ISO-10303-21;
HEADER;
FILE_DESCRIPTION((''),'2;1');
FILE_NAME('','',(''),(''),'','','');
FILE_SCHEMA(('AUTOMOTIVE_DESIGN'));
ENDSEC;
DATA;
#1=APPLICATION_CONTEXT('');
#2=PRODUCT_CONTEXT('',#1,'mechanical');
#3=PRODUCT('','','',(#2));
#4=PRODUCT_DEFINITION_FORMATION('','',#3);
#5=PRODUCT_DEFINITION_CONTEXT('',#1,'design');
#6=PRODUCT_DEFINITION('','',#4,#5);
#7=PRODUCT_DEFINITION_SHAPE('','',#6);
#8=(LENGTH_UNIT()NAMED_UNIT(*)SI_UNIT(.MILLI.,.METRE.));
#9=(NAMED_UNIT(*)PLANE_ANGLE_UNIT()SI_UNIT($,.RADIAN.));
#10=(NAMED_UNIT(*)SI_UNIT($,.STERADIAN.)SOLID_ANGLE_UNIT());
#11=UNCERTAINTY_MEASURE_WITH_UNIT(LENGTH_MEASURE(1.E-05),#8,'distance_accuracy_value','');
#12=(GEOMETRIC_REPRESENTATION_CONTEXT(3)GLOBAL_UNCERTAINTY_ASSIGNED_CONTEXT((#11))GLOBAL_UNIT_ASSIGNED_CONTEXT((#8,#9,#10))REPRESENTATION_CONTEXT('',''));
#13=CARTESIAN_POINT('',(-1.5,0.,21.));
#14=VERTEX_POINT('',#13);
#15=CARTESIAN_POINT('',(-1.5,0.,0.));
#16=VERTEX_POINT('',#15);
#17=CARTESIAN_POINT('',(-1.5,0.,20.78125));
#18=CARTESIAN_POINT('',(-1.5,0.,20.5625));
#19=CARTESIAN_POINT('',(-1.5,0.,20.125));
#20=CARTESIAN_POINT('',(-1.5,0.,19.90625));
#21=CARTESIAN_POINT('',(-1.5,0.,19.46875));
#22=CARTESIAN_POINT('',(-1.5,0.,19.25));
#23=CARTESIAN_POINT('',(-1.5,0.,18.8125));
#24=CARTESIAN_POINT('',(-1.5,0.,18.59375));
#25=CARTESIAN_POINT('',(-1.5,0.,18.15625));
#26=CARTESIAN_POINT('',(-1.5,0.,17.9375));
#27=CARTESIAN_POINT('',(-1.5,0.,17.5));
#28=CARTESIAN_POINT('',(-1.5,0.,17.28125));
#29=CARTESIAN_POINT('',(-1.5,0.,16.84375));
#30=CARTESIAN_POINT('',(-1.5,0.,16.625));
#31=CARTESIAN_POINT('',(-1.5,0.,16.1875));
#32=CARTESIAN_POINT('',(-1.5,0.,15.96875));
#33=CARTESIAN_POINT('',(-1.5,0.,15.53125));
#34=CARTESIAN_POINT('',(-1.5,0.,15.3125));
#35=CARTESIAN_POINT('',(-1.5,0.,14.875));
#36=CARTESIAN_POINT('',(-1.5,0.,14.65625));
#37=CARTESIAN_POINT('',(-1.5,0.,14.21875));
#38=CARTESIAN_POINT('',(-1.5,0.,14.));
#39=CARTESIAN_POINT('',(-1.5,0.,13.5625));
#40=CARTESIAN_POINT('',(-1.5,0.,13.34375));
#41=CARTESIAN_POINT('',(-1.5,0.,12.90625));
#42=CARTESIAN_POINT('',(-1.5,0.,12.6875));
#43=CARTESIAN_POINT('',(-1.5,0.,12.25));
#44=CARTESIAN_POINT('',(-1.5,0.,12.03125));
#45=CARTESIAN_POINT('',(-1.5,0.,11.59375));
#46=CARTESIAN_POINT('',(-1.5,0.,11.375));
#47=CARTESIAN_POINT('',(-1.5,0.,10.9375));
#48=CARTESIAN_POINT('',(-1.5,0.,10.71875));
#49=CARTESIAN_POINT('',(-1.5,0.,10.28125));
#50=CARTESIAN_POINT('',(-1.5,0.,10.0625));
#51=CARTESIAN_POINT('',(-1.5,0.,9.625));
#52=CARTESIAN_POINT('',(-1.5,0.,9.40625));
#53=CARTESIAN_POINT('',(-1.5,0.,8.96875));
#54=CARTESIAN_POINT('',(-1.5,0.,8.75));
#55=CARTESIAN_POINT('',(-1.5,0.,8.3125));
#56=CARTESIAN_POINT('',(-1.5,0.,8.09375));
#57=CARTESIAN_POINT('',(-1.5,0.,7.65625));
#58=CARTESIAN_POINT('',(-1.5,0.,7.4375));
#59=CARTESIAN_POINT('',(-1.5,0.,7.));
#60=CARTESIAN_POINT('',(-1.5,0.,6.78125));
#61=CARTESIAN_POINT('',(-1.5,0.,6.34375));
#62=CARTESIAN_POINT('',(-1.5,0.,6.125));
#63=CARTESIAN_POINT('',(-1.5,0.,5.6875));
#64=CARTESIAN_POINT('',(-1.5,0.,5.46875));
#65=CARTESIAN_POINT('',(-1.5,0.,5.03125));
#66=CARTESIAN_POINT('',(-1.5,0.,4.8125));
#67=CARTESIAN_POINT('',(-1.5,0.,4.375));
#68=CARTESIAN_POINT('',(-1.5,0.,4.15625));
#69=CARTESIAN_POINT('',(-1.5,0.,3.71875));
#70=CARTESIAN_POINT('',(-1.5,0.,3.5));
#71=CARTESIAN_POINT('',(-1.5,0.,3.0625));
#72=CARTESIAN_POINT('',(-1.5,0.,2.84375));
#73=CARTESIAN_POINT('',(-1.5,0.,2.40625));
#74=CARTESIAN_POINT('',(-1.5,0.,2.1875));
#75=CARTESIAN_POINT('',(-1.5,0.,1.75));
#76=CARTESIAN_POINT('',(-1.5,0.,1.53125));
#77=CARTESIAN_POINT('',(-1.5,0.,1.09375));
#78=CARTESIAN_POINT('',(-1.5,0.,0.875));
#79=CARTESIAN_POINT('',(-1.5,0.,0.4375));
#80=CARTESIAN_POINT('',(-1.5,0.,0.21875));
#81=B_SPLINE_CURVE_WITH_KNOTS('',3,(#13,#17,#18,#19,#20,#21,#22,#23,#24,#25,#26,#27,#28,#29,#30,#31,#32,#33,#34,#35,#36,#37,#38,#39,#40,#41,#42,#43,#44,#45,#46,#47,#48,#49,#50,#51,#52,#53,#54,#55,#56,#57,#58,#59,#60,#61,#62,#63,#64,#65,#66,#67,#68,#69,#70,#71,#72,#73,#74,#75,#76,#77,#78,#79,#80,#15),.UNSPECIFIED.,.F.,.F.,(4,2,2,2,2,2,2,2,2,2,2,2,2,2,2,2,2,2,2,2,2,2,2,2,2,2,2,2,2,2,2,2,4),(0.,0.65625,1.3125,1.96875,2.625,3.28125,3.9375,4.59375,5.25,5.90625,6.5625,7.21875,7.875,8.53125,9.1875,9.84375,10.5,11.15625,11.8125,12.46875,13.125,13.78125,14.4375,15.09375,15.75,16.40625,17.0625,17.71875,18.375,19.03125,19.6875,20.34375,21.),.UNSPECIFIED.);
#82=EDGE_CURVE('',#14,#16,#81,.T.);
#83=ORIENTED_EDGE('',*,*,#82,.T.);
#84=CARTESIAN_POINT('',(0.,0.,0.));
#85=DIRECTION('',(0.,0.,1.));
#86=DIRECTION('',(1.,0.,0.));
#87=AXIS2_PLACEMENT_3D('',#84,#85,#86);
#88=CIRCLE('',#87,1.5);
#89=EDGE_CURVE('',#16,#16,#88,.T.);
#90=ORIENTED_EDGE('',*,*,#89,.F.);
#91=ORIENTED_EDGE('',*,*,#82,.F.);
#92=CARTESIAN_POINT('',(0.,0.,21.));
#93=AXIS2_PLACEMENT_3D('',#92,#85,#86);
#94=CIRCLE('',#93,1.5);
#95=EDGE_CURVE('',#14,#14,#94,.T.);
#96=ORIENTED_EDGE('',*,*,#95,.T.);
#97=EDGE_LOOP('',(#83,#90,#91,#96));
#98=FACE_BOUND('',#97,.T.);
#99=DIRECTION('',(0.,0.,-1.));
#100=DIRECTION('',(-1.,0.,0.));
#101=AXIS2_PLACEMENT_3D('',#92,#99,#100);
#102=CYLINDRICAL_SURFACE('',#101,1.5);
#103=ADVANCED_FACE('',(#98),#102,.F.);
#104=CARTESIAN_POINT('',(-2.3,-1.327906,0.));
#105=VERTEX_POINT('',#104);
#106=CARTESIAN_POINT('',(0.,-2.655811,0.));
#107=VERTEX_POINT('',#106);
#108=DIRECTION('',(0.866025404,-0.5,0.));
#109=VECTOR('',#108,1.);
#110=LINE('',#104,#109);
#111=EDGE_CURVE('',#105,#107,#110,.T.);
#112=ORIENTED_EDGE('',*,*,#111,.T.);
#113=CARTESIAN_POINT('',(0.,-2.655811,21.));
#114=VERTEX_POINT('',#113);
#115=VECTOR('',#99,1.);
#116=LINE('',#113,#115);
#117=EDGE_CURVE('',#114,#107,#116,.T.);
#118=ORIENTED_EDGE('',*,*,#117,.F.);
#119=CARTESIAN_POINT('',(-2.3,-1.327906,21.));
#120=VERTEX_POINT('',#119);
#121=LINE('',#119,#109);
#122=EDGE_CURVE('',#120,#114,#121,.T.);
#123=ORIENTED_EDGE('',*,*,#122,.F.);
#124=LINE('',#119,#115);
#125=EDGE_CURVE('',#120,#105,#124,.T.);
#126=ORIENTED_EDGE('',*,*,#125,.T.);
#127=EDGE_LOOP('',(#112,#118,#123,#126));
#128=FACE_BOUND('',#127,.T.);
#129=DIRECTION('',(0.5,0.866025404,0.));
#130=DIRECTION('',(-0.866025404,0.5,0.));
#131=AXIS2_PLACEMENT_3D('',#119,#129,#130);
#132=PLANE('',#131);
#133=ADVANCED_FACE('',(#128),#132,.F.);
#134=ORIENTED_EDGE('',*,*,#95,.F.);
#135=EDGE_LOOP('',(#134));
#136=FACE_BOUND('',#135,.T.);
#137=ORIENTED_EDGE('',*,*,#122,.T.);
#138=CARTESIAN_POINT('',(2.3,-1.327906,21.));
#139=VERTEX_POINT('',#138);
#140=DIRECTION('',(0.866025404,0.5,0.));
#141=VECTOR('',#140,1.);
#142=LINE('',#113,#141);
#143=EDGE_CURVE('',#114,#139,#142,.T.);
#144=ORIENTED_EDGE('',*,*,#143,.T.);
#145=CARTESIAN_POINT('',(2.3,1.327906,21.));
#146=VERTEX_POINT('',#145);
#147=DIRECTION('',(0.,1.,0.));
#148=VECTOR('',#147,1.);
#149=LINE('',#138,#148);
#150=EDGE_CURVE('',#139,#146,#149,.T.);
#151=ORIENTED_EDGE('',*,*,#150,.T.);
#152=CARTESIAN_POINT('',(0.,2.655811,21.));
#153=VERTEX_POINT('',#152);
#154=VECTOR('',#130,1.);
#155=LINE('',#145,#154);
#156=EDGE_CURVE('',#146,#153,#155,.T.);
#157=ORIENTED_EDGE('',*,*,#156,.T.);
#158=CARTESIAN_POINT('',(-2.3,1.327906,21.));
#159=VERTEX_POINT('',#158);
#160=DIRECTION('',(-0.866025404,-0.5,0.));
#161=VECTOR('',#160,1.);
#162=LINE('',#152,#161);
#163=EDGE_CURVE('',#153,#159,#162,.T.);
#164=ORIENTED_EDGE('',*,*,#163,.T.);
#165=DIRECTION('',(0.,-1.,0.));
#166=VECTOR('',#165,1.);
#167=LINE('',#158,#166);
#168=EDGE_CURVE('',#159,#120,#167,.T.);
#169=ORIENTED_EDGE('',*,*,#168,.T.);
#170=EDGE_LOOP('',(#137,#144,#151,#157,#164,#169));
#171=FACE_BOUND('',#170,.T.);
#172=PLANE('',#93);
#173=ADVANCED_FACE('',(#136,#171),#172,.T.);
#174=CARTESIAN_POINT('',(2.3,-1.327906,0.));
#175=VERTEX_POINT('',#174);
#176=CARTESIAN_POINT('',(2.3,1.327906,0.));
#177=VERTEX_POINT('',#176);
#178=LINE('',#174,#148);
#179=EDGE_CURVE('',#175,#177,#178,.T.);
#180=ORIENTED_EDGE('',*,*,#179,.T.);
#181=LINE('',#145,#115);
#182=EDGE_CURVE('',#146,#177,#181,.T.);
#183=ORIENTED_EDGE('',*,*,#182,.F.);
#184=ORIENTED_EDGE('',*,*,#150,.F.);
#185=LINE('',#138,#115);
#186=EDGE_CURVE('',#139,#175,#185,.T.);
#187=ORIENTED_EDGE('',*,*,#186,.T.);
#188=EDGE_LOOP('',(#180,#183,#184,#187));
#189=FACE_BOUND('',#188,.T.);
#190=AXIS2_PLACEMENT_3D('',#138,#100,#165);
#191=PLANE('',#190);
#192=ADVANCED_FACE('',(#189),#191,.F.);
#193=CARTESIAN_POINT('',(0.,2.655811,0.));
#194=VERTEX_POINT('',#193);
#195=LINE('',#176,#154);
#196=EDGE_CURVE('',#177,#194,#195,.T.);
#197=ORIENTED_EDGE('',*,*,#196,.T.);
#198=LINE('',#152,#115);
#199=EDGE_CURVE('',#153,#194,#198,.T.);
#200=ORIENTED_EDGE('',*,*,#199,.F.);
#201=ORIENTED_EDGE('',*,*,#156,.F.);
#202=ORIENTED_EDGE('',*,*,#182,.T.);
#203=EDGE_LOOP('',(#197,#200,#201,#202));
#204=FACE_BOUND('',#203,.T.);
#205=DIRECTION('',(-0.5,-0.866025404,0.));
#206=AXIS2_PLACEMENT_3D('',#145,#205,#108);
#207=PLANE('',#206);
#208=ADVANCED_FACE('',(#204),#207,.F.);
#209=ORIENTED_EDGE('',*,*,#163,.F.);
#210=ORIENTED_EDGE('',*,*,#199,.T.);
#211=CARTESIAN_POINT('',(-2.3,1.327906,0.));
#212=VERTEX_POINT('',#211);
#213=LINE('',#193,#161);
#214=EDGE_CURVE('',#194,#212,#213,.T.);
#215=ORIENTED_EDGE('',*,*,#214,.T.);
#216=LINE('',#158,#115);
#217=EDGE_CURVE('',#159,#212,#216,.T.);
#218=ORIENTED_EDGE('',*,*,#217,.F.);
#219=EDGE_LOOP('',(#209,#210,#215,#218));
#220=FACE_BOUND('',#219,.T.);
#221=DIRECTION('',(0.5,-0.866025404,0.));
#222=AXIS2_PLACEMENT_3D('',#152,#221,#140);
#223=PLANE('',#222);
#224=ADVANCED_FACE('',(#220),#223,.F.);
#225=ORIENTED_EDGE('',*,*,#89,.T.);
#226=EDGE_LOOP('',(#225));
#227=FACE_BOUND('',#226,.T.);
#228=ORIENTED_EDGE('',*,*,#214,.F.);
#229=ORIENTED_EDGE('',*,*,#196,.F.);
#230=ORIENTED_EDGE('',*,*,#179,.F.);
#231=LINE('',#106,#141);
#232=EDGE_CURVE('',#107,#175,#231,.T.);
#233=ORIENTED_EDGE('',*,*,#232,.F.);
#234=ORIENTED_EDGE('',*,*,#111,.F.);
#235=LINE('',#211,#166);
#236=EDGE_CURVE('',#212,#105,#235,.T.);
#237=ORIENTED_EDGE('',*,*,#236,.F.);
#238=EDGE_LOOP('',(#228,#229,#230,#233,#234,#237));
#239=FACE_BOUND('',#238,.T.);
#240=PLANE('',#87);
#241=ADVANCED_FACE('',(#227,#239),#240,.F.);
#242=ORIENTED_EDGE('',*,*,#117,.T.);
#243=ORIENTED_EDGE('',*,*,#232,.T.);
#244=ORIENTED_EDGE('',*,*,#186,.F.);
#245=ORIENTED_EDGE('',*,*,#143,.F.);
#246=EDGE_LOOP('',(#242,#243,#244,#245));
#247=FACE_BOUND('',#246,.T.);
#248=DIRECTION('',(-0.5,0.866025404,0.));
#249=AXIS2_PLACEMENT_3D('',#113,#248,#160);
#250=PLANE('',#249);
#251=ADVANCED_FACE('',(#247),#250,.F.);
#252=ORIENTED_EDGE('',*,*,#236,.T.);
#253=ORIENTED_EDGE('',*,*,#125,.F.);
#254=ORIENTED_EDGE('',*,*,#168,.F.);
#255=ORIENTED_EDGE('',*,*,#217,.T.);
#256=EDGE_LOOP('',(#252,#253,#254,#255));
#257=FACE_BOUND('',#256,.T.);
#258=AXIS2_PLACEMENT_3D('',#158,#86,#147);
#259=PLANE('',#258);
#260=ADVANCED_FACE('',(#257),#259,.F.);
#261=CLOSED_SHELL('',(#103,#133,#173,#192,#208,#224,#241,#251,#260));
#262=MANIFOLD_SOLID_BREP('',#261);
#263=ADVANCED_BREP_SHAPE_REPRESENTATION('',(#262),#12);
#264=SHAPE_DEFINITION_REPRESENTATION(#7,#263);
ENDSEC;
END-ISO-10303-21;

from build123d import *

# Parameters (mm, degrees)
SKETCH_1_R      = 1.5
EXTRUDE_1_DEPTH = 21


with BuildPart() as part:
    # 草图1 → 凸台-拉伸1 (new body)
    with BuildSketch(Plane.XY):
        Polygon((2.3, -1.327905619), (2.3, 1.327905619), (0, 2.655811238), (-2.3, 1.327905619), (-2.3, -1.327905619), (0, -2.655811238), align=None)
        with Locations(Location((0, 0, 0), (0, 0, 180))):
            Circle(SKETCH_1_R, mode=Mode.SUBTRACT)
    extrude(amount=EXTRUDE_1_DEPTH)


solid = part.part
